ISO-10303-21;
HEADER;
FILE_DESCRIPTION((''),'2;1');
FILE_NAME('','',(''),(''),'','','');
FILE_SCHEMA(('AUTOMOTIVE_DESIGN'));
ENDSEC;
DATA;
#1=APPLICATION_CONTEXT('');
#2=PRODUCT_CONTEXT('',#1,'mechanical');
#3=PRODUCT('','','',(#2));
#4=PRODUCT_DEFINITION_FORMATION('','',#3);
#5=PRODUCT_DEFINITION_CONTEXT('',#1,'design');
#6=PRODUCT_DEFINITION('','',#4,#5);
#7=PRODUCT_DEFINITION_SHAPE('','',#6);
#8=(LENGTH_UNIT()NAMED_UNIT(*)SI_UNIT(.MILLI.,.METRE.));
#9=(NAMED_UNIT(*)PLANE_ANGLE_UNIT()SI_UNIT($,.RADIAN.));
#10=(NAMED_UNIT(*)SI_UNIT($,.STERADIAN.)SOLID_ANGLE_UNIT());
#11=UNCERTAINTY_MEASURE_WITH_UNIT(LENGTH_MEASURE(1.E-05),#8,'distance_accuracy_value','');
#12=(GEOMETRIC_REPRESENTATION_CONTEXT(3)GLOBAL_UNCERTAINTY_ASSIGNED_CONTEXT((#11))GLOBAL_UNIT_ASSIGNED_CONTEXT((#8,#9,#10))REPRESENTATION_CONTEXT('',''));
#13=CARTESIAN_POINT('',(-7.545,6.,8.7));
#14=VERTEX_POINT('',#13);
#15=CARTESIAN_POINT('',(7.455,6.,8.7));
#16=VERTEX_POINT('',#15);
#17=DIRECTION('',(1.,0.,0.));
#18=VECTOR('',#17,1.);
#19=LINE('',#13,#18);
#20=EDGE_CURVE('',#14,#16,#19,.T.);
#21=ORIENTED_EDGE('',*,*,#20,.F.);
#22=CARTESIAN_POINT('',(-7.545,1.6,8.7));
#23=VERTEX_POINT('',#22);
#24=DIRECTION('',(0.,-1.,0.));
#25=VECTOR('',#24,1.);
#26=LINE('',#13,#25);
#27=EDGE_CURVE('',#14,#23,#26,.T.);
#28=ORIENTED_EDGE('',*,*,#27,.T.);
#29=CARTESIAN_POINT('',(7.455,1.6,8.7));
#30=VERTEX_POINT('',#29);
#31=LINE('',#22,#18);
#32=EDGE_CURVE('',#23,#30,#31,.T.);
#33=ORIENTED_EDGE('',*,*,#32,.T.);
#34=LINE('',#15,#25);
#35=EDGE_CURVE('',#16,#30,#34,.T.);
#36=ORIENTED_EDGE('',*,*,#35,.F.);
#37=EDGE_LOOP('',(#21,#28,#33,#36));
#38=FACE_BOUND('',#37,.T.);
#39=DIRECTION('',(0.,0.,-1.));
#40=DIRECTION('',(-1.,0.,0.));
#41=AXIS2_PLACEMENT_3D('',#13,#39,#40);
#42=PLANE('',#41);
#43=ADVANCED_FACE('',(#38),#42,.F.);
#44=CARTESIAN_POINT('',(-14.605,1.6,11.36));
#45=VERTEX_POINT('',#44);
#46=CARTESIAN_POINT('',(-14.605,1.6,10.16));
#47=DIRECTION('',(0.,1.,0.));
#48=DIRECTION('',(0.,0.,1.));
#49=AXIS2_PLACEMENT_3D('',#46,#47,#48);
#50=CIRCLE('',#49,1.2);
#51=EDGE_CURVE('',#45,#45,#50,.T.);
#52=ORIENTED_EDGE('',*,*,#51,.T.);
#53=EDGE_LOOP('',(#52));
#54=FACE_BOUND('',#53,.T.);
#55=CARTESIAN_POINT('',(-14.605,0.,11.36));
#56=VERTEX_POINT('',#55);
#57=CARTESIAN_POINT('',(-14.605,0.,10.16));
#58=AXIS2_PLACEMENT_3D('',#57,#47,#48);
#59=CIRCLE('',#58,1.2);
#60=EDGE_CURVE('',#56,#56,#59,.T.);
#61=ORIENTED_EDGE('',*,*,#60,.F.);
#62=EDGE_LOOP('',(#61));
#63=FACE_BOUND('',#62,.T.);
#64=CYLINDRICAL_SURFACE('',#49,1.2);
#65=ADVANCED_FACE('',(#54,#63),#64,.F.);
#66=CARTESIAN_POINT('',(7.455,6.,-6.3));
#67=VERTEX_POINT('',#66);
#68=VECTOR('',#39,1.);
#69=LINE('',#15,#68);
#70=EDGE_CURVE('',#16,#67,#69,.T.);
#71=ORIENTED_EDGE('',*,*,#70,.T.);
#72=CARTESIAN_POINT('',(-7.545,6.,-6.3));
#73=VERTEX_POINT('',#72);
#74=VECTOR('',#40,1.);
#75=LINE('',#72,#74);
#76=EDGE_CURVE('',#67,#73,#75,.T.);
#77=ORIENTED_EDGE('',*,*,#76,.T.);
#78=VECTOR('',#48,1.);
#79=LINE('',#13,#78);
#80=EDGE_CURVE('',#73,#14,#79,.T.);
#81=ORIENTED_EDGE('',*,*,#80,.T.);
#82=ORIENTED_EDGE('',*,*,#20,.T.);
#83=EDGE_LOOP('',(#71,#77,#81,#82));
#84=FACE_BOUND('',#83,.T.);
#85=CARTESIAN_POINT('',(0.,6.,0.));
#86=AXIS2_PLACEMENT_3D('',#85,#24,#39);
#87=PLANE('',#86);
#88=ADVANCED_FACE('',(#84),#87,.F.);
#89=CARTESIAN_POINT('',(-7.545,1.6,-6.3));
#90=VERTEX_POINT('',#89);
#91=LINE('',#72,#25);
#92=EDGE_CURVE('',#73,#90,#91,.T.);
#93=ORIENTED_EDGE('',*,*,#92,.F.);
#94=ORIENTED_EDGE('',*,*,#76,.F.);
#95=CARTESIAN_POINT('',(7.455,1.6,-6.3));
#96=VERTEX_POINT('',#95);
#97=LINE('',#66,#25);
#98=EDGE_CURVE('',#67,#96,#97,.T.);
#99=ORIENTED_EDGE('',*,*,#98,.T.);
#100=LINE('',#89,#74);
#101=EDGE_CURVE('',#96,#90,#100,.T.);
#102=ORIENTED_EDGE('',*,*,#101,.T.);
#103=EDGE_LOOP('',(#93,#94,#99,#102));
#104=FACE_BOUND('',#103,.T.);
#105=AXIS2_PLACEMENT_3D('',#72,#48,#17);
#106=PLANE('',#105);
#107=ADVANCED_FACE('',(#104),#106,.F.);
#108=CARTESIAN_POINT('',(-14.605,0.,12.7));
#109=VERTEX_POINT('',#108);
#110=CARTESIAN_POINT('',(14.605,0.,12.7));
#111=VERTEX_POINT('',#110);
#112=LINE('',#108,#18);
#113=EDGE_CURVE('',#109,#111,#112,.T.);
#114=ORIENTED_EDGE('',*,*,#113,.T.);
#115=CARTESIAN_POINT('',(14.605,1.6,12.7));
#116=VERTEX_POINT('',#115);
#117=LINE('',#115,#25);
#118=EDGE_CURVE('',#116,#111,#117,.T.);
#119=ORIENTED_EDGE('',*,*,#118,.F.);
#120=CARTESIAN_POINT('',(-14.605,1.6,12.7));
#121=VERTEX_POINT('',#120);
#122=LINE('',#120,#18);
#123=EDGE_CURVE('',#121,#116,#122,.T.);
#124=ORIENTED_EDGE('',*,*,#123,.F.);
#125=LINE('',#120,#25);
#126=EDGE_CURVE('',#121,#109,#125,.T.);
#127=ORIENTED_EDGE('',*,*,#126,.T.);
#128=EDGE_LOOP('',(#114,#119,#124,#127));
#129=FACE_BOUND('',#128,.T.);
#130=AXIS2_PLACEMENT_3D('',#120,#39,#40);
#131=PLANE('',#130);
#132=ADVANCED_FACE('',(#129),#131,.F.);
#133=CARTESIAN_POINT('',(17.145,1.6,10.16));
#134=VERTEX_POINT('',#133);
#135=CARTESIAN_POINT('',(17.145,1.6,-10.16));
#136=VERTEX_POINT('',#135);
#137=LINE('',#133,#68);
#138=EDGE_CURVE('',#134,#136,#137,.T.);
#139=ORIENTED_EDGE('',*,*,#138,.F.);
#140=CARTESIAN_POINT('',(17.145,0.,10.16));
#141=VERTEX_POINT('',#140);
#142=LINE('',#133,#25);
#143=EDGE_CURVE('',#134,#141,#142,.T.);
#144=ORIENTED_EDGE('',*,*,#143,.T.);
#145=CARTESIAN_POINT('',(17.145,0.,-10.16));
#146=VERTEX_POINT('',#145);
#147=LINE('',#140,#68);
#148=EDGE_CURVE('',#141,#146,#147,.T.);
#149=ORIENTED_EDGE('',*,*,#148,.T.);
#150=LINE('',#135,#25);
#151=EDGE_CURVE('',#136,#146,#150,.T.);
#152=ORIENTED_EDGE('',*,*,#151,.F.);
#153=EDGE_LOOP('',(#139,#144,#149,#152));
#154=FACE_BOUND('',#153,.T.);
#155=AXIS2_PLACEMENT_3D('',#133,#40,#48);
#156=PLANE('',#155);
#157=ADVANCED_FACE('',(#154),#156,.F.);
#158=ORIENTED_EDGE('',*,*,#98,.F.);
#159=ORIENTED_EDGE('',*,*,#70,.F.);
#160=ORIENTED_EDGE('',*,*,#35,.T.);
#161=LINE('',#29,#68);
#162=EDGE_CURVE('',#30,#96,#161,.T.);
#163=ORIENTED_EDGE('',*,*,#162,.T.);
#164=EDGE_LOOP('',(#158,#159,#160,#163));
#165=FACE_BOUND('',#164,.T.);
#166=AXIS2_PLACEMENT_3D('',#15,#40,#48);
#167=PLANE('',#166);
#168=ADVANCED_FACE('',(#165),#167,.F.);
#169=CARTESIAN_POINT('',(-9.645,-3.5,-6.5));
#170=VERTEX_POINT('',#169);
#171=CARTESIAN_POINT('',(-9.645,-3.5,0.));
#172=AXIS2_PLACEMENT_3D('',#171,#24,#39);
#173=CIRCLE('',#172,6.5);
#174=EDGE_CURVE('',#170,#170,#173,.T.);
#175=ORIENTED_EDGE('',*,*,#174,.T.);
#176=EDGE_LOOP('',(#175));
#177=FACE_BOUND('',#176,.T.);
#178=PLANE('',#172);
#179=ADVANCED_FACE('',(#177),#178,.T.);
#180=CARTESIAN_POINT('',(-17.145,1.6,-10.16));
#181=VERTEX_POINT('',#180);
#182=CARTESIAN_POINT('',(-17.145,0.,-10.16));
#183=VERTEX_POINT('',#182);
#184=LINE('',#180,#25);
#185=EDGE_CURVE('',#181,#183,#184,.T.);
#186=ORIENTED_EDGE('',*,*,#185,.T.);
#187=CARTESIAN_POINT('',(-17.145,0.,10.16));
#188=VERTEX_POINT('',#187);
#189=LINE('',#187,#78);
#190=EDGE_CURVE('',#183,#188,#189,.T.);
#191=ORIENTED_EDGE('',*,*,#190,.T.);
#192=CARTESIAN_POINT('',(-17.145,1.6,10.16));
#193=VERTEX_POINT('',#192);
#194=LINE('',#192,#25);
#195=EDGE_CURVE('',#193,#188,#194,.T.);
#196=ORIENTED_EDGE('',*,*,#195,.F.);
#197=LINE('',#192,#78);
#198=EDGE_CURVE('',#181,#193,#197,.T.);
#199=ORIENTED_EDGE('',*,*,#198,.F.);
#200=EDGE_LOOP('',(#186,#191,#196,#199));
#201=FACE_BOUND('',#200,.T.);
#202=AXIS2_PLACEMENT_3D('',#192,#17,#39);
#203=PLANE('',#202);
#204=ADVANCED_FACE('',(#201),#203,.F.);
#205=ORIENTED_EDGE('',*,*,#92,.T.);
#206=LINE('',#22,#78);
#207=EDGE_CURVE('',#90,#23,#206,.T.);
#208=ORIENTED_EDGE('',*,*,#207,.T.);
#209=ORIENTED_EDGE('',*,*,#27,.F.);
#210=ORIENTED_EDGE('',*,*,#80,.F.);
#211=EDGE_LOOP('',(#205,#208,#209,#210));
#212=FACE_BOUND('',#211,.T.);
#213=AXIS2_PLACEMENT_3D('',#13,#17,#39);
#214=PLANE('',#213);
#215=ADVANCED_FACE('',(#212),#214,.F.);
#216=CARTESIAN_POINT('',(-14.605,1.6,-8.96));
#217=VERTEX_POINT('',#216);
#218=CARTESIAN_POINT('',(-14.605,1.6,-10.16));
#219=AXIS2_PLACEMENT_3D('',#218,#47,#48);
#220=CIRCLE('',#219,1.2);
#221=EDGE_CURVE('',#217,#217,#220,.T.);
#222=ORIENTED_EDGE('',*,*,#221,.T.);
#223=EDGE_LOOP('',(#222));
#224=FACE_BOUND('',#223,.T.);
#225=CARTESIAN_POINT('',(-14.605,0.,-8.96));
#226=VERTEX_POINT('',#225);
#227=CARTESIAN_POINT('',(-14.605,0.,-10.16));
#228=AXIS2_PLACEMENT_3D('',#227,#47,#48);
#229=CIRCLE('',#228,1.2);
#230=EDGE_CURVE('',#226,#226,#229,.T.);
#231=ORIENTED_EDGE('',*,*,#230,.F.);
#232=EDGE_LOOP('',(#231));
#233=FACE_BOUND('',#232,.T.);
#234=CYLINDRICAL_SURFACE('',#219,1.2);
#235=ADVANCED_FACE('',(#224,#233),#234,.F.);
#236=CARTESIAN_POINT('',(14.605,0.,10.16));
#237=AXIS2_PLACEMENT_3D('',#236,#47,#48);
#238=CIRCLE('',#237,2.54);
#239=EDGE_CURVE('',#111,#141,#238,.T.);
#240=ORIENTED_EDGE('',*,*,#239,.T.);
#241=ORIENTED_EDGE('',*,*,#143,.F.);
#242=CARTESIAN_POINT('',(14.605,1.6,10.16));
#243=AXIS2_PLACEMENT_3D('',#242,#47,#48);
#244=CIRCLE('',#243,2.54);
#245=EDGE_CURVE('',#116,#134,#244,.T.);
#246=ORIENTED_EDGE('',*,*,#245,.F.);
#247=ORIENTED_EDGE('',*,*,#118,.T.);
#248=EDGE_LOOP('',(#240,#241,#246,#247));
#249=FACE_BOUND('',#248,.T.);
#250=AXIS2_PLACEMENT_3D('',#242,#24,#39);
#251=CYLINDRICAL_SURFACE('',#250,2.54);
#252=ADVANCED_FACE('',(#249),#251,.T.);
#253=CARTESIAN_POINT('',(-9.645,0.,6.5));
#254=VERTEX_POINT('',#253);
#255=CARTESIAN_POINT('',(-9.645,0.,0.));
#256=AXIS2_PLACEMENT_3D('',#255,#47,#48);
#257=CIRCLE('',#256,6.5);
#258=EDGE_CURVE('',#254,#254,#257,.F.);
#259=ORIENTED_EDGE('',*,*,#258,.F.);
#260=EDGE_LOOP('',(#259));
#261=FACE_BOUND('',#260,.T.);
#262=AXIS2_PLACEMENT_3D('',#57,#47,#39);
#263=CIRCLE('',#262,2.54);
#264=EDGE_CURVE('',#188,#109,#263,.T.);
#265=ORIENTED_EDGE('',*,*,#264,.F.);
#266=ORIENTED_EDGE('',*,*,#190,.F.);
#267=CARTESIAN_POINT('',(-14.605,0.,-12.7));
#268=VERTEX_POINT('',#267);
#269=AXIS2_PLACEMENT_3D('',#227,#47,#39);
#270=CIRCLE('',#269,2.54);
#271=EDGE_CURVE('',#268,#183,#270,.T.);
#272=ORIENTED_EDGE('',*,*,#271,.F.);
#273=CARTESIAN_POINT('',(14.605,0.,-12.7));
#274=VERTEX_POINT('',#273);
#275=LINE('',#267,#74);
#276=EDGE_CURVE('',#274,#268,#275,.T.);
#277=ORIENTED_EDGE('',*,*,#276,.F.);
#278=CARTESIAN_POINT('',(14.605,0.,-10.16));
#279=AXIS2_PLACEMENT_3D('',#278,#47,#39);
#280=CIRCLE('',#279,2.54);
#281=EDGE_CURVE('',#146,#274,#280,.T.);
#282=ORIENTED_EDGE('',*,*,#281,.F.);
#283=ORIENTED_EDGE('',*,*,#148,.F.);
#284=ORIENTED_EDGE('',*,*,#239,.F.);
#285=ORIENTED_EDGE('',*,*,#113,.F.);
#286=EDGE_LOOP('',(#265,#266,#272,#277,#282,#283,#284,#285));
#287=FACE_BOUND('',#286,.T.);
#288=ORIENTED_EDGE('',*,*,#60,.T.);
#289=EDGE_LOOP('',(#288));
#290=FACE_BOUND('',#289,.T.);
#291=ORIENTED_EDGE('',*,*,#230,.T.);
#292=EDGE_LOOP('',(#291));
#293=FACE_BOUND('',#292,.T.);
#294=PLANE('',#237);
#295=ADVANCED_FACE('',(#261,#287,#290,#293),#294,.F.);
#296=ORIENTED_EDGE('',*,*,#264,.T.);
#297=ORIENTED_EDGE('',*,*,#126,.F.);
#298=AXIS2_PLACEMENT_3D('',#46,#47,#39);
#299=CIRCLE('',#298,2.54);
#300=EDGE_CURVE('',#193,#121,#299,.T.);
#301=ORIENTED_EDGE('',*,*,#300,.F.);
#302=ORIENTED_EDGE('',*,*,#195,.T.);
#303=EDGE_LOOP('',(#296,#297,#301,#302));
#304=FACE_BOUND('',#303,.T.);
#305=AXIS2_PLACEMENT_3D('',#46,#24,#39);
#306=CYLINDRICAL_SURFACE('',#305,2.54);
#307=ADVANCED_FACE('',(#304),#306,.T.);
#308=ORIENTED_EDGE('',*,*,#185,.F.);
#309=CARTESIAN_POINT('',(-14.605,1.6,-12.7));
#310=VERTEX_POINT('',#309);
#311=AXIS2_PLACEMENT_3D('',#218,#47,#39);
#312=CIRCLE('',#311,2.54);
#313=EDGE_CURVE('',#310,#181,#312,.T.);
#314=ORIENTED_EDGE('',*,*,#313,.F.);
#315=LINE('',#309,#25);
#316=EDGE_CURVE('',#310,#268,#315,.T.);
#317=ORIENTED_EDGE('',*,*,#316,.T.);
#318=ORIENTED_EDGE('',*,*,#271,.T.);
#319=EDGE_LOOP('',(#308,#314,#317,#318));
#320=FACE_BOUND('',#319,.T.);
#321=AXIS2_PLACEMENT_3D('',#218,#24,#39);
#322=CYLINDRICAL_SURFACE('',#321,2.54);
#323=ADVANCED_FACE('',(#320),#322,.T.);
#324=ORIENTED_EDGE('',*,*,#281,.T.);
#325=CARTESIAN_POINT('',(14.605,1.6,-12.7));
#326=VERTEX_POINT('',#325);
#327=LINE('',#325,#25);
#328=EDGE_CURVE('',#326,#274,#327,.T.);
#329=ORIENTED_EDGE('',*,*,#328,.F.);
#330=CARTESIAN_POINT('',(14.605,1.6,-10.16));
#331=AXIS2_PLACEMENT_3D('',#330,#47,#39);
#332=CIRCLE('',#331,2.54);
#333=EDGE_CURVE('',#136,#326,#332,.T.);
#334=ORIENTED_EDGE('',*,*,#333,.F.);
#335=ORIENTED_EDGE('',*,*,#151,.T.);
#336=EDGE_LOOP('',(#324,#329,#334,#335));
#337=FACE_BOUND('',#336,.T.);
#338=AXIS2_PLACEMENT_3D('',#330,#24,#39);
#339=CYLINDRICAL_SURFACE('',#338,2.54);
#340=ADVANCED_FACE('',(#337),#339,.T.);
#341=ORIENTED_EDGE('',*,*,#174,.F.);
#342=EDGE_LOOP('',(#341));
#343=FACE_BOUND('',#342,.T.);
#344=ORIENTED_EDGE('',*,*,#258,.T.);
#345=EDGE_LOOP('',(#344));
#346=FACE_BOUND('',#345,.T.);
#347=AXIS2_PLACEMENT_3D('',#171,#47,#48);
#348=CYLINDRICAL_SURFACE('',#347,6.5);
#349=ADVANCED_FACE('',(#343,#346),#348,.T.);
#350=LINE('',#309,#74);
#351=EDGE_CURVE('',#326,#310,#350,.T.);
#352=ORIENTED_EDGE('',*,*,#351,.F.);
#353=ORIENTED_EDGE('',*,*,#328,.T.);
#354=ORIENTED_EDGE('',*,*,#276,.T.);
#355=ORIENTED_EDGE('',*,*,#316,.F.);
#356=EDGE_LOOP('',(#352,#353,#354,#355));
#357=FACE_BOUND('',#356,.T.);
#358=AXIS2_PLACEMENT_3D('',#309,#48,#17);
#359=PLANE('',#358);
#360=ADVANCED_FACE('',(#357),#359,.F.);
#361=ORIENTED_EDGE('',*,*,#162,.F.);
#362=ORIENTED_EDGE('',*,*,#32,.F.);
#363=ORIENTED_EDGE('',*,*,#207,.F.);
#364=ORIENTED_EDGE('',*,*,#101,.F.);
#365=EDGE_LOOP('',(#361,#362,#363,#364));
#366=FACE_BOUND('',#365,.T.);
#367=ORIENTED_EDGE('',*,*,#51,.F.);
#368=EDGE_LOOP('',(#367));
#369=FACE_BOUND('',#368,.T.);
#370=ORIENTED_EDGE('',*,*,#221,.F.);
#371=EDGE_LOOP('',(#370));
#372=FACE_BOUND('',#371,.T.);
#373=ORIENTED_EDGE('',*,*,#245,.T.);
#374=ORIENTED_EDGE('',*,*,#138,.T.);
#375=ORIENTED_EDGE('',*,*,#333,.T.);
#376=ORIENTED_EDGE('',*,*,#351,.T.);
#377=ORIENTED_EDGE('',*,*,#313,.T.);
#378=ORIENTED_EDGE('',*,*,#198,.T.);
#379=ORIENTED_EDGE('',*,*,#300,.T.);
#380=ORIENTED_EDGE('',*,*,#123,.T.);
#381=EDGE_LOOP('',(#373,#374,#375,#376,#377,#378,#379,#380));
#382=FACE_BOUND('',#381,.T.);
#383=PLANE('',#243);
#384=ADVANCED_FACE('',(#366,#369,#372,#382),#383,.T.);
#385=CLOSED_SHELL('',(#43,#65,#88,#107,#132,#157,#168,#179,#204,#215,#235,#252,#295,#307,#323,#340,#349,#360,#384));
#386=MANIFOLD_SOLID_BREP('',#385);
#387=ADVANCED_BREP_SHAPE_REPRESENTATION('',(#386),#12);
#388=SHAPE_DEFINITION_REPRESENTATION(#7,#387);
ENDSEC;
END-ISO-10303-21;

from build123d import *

# Parameters (mm, degrees)
PCB_DEPTH            = 1.6
M2_CLEARANCE_HOLE1_D = 2.4
SKETCH4_W            = 15
SKETCH4_H            = 15
ANTENNA_DEPTH        = 4.4
SKETCH5_R            = 6.5
BATTERY_HOLDER_DEPTH = 3.5


with BuildPart() as part:
    # Sketch1 → PCB (new body)
    with BuildSketch(Plane(origin=(0, 0, 0), x_dir=(1, 0, 0), z_dir=(0, 1, 0))):
        with BuildLine():
            Line((-14.605, -12.7), (14.605, -12.7))
            ThreePointArc((14.605, -12.7), (16.401051224, -11.956051224), (17.145, -10.16))
            Line((17.145, -10.16), (17.145, 10.16))
            ThreePointArc((17.145, 10.16), (16.401051224, 11.956051224), (14.605, 12.7))
            Line((14.605, 12.7), (-14.605, 12.7))
            ThreePointArc((-14.605, 12.7), (-16.401051224, 11.956051224), (-17.145, 10.16))
            Line((-17.145, 10.16), (-17.145, -10.16))
            ThreePointArc((-17.145, -10.16), (-16.401051224, -11.956051224), (-14.605, -12.7))
        make_face()
    extrude(amount=PCB_DEPTH)

    # M2 Clearance Hole1 (through all)
    with Locations(Plane(origin=(0, 1.6, 0), x_dir=(1, 0, 0), z_dir=(0, 1, 0))):
        with Locations((-14.605, -10.16), (-14.605, 10.16)):
            Hole(M2_CLEARANCE_HOLE1_D / 2)

    # Sketch4 → Antenna (add)
    with BuildSketch(Plane(origin=(0, 1.6, 0), x_dir=(1, 0, 0), z_dir=(0, 1, 0))):
        with Locations((-0.045, -1.2)):
            Rectangle(SKETCH4_W, SKETCH4_H)
    extrude(amount=ANTENNA_DEPTH)

    # Sketch5 → Battery Holder (add)
    with BuildSketch(Plane.XZ):
        with Locations((-9.645, 0)):
            Circle(SKETCH5_R)
    extrude(amount=BATTERY_HOLDER_DEPTH)


solid = part.part
